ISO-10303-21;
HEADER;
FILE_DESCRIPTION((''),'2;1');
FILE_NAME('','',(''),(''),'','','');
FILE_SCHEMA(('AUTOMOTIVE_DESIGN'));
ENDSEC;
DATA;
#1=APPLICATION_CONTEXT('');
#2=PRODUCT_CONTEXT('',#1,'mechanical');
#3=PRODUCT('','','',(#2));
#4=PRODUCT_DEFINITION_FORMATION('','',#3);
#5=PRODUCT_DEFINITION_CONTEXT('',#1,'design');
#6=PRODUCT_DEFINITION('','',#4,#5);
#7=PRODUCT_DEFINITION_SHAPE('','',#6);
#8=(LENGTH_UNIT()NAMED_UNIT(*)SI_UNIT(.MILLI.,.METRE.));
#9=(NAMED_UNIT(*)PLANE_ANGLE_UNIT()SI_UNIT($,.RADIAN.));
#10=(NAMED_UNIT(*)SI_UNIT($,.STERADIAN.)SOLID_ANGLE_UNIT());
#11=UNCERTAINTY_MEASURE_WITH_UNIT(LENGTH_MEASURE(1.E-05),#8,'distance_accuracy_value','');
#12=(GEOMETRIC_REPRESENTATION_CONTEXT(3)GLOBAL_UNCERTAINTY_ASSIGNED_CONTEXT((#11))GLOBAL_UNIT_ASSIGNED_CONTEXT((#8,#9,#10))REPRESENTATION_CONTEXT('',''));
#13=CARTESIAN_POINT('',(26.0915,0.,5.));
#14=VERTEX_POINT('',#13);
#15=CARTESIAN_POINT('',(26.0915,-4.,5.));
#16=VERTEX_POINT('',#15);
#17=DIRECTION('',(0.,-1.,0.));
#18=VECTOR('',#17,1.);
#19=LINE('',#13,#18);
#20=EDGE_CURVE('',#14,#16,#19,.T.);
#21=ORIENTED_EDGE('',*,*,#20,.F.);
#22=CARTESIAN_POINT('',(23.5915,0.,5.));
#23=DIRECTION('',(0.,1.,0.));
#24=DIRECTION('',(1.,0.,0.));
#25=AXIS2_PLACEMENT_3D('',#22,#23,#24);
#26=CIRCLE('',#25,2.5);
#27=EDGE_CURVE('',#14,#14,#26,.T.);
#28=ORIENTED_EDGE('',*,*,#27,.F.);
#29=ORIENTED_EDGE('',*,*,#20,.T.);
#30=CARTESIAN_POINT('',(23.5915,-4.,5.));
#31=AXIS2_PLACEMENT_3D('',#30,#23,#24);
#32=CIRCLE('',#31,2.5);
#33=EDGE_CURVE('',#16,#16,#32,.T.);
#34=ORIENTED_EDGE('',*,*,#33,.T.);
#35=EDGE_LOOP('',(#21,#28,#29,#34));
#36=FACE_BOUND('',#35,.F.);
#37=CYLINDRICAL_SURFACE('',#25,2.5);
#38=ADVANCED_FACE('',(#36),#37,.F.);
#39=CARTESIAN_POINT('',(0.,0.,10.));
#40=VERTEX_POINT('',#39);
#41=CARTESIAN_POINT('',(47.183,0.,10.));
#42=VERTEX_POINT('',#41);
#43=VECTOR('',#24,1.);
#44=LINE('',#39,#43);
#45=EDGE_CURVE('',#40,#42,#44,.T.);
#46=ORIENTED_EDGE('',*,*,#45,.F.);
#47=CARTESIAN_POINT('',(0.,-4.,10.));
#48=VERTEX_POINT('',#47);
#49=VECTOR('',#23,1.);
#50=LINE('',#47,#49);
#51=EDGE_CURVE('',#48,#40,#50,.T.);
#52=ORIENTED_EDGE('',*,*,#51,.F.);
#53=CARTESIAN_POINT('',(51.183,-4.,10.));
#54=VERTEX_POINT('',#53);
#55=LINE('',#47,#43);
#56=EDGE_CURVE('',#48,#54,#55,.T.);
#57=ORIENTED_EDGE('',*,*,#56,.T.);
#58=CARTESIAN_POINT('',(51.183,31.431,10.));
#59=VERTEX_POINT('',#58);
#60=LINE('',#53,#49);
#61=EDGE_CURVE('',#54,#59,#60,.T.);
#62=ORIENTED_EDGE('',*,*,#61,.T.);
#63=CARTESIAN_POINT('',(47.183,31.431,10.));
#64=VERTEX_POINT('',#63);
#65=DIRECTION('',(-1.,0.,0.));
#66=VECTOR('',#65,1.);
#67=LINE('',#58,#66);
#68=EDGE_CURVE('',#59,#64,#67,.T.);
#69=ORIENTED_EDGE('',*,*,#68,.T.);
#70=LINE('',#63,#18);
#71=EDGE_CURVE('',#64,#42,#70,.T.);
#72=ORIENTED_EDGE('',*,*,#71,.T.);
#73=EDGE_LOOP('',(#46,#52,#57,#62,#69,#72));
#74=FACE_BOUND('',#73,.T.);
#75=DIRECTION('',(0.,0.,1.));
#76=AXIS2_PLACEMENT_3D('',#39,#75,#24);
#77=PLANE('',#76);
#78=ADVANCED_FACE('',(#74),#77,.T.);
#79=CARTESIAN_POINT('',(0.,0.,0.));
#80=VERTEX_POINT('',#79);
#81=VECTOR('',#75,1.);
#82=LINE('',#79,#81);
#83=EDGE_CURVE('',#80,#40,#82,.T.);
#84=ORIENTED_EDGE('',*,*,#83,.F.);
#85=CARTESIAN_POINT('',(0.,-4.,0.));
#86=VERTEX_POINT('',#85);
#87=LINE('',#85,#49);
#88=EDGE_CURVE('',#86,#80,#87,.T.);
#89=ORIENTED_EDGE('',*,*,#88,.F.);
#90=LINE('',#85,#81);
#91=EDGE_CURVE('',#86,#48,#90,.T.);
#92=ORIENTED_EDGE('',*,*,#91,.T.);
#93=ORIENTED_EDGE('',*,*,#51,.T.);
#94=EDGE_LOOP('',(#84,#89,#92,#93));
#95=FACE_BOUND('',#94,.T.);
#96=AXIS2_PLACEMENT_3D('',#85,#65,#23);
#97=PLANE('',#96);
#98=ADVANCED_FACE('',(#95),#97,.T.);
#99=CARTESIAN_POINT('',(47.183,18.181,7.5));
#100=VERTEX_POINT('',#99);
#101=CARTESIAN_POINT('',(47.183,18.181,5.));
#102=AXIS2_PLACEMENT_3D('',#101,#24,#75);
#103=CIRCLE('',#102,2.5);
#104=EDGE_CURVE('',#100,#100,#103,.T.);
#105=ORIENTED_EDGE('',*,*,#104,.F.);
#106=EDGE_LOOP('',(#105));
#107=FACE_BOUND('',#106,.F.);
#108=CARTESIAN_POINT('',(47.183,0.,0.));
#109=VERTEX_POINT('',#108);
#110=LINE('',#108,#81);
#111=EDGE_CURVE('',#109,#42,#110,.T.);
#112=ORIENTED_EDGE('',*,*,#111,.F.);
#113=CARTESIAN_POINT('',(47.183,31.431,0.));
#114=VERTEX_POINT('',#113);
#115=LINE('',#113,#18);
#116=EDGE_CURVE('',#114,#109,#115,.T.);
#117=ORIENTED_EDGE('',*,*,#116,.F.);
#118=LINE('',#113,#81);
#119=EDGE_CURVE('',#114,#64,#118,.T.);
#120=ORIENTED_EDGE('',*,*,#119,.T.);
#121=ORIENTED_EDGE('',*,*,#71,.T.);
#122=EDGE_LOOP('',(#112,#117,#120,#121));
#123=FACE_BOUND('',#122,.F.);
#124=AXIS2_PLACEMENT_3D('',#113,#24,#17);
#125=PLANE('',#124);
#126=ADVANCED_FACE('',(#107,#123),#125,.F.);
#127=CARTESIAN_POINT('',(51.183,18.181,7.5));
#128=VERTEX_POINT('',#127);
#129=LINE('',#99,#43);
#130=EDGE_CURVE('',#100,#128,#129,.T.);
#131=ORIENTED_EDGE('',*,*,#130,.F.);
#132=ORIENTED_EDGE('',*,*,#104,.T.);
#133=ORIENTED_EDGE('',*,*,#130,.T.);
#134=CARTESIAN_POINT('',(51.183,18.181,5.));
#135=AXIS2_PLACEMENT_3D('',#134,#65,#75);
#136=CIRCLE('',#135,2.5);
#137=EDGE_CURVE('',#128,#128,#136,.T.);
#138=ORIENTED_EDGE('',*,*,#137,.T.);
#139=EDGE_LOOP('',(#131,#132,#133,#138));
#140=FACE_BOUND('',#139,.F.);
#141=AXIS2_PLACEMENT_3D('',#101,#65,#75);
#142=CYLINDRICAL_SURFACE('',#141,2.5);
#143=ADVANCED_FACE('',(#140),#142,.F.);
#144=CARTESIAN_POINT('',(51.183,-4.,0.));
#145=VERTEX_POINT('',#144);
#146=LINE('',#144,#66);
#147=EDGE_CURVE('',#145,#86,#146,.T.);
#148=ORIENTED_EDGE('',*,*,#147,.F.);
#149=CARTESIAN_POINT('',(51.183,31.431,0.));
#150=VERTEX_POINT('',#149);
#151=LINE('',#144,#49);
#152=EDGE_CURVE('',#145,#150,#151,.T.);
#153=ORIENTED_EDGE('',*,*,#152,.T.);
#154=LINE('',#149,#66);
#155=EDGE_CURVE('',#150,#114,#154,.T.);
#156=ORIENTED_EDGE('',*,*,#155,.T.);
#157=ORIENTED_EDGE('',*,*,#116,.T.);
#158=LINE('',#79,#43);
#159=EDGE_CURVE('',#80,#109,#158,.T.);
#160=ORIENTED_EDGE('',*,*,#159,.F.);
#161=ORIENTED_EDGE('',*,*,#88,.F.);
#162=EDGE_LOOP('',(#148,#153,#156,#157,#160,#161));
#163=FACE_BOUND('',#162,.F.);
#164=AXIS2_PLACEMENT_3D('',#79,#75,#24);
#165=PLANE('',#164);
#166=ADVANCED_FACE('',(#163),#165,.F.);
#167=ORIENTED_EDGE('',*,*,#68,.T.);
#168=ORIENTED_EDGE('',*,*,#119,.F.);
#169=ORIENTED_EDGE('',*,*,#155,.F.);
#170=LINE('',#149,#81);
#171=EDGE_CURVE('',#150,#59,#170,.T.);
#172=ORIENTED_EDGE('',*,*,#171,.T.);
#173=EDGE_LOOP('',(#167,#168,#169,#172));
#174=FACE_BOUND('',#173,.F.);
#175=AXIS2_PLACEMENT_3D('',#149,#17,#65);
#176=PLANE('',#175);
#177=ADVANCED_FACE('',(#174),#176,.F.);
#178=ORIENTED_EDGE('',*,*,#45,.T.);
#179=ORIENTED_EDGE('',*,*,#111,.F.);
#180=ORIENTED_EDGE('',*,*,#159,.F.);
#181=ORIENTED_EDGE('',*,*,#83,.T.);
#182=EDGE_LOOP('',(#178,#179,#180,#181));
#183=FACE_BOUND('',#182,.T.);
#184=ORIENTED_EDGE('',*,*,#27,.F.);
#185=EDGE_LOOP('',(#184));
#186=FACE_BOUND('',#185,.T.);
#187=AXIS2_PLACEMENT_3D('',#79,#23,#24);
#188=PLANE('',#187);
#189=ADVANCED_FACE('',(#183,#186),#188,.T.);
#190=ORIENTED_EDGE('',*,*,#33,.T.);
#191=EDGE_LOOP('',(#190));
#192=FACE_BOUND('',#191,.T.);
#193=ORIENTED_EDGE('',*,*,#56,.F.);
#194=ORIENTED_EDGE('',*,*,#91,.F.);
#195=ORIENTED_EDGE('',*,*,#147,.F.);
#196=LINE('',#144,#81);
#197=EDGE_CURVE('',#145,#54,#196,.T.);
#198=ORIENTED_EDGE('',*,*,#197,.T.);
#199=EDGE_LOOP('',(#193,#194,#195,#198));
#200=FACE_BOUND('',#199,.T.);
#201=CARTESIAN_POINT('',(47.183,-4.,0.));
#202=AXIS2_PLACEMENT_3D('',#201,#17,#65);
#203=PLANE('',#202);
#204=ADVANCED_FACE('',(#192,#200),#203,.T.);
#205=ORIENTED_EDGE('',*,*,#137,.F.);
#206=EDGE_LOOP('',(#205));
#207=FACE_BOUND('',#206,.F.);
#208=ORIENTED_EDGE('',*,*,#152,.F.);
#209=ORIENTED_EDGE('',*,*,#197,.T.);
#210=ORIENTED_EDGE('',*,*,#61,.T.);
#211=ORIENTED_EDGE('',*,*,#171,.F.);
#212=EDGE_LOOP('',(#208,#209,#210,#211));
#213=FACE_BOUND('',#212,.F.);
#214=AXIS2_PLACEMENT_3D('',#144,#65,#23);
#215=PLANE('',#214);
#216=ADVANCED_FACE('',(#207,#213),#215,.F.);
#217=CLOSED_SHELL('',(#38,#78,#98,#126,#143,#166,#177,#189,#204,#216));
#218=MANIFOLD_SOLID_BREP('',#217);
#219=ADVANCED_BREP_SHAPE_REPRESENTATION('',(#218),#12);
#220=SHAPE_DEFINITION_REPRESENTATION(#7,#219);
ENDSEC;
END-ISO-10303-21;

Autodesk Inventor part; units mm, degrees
ref_plane "YZ Plane" through (0, 0, 0) normal (1, 0, 0) x (0, 1, 0)
ref_plane "XZ Plane" through (0, 0, 0) normal (0, 1, 0) x (-1, 0, 0)
ref_plane "XY Plane" through (0, 0, 0) normal (0, 0, 1) x (1, 0, 0)
sketch "스케치1" plane through (0, 0, 0) normal (0, 0, 1) x (1, 0, 0)
  line L0 (0, 0) -> (47.183, 0)
  line L1 (47.183, 0) -> (47.183, -4)
  line L2 (47.183, -4) -> (0, -4)
  line L3 (0, -4) -> (0, 0)
  line L4 (47.183, -4) -> (51.183, -4)
  line L5 (51.183, -4) -> (51.183, 31.431)
  line L6 (51.183, 31.431) -> (47.183, 31.431)
  line L7 (47.183, 31.431) -> (47.183, -4)
  point P0 (47.183, 0)
  dimension "d0" = 47.183
  dimension "d1" = 31.431
  dimension "d2" = 4
  dimension "d3" = 4
extrude "돌출1" add sketch "스케치1" along normal blind 10
sketch "스케치2" plane through (0, 0, 0) normal (0, 1, 0) x (1, 0, 0)
  line L0 (0, 0) -> (0, -10) projected
  line L1 (0, -5) -> (47.183, -5) construction
  line L2 (47.183, 0) -> (47.183, -10) projected
  circle A0 centre (23.5915, -5) radius 2.5
  dimension "d6" = 5
extrude "돌출2" cut sketch "스케치2" against normal blind 9.25
sketch "스케치3" plane through (47.183, 0, 0) normal (-1, 0, 0) x (0, 0, 1)
  line L0 (0, 31.431) -> (10, 31.431) projected
  line L1 (5, 31.431) -> (5, 4.931)
  circle A0 centre (5, 18.181) radius 2.5
  point P0 (0, 0)
  dimension "d9" = 5
extrude "돌출3" cut sketch "스케치3" against normal blind 8.75
properties part number "베벨기어 003"
